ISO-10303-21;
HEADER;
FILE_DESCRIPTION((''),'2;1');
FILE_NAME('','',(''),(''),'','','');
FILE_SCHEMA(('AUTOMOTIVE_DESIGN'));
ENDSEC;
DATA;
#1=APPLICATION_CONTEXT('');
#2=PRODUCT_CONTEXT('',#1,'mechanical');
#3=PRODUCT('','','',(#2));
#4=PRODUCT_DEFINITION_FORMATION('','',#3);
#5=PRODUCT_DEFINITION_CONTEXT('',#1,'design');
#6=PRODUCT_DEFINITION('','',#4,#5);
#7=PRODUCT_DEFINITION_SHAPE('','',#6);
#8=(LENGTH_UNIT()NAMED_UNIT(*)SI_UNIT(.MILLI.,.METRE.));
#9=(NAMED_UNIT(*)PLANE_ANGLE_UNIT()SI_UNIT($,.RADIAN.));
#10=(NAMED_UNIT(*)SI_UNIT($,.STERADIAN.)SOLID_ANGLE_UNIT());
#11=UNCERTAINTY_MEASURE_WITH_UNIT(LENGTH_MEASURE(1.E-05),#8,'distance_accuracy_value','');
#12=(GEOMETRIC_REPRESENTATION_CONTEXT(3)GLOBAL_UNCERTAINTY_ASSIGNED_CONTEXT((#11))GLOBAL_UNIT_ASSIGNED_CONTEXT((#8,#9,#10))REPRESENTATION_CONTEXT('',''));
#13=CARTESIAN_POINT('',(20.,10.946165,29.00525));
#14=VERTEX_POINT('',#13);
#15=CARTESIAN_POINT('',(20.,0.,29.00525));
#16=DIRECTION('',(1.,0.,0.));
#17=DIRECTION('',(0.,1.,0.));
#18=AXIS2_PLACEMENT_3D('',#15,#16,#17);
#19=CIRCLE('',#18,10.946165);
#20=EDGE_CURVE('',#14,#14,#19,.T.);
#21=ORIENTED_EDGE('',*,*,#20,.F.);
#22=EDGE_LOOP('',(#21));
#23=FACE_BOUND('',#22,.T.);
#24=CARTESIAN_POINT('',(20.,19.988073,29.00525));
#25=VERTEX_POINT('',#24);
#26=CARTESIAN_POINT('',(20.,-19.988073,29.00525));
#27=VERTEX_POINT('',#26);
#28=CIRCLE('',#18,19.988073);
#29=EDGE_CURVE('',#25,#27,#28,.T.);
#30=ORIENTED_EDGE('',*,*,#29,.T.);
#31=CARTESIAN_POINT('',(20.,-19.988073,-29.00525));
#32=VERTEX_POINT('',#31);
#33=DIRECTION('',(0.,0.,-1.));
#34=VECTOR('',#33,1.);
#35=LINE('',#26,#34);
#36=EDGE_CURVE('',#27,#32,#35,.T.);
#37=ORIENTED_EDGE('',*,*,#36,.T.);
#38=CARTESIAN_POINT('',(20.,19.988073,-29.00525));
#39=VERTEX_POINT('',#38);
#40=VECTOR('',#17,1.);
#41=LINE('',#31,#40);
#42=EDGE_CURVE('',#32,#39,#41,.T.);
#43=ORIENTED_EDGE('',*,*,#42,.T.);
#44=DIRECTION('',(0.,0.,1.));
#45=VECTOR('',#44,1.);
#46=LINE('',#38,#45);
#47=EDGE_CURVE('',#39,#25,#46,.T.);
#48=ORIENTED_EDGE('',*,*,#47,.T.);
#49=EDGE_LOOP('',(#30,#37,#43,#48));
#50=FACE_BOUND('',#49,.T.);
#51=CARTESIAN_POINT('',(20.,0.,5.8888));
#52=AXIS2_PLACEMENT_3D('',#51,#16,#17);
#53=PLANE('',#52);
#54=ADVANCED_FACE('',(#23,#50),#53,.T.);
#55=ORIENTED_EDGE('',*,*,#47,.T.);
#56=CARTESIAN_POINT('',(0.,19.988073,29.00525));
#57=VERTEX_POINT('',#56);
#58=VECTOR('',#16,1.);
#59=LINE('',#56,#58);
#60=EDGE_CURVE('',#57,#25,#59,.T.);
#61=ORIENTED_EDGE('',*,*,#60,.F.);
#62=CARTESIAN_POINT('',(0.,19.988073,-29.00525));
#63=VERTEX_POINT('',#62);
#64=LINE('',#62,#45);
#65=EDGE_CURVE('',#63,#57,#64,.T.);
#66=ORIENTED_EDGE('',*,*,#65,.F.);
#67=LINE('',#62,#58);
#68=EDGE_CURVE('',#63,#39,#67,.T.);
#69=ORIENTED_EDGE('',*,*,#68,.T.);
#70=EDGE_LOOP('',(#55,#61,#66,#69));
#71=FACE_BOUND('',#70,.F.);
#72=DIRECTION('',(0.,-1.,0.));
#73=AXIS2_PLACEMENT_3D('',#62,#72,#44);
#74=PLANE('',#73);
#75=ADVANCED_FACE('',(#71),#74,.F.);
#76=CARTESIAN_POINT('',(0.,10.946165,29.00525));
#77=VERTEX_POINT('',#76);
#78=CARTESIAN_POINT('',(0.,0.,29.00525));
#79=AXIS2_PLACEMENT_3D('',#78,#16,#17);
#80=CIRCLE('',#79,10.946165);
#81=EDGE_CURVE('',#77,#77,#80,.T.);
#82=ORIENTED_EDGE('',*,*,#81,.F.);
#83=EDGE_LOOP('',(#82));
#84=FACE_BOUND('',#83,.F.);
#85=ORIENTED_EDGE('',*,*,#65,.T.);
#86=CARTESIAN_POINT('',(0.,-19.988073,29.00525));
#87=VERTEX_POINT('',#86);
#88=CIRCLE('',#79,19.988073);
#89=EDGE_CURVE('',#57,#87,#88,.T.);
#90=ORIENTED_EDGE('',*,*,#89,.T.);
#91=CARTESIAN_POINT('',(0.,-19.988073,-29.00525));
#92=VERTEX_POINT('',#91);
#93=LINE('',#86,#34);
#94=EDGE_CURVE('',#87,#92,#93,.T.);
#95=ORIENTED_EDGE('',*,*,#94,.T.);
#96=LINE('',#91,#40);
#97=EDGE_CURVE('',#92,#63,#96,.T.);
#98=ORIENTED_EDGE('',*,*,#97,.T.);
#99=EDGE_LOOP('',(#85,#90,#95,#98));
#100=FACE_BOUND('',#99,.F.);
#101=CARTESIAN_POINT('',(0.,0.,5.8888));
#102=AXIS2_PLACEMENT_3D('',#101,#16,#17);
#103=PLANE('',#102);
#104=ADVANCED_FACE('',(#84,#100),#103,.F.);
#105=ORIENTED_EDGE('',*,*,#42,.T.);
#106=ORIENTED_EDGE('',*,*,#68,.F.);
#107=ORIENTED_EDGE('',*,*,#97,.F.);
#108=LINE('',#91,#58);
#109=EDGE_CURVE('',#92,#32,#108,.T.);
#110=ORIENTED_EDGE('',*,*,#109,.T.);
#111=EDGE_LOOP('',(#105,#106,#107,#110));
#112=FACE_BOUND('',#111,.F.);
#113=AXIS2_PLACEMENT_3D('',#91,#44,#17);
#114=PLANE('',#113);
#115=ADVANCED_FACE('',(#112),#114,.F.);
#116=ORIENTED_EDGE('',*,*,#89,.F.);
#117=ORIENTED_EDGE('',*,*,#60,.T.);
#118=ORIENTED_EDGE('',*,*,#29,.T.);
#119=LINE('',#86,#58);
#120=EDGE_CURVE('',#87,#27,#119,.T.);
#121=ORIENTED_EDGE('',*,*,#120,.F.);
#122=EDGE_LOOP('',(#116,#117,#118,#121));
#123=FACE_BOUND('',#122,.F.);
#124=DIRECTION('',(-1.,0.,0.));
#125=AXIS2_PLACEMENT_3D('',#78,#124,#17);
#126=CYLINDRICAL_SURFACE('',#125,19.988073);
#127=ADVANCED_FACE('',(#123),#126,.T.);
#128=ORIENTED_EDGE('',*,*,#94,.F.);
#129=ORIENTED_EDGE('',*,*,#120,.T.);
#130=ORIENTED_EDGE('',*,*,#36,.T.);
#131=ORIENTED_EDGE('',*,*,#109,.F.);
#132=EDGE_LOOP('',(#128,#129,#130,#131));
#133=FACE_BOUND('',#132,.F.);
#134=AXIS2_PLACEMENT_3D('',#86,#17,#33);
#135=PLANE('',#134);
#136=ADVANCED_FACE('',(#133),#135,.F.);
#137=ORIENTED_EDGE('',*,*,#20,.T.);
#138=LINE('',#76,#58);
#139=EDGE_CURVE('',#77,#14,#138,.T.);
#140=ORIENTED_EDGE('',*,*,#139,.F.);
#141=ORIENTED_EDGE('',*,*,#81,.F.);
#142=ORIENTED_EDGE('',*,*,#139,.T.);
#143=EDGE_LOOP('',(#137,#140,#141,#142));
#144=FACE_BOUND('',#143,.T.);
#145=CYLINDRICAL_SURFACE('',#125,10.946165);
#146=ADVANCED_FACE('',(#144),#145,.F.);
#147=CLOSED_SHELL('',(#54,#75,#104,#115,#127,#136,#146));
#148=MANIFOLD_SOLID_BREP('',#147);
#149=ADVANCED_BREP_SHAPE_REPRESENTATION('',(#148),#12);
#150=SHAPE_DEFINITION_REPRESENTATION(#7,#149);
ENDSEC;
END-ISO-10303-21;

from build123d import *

# Parameters (mm, degrees)
F0_R     = 10.946165
F1_DEPTH = 20


with BuildPart() as f1:
    # F0 (on Right) → F1 (new body)
    with BuildSketch(Plane.YZ):
        with BuildLine():
            Line((-19.988073, -29.00525), (19.988073, -29.00525))
            Line((19.988073, -29.00525), (19.988073, 29.00525))
            ThreePointArc((19.988073, 29.00525), (0, 48.993323), (-19.988073, 29.00525))
            Line((-19.988073, 29.00525), (-19.988073, -29.00525))
        make_face()
        with Locations((0, 29.00525)):
            Circle(F0_R, mode=Mode.SUBTRACT)
    extrude(amount=F1_DEPTH)


solid = f1.part
